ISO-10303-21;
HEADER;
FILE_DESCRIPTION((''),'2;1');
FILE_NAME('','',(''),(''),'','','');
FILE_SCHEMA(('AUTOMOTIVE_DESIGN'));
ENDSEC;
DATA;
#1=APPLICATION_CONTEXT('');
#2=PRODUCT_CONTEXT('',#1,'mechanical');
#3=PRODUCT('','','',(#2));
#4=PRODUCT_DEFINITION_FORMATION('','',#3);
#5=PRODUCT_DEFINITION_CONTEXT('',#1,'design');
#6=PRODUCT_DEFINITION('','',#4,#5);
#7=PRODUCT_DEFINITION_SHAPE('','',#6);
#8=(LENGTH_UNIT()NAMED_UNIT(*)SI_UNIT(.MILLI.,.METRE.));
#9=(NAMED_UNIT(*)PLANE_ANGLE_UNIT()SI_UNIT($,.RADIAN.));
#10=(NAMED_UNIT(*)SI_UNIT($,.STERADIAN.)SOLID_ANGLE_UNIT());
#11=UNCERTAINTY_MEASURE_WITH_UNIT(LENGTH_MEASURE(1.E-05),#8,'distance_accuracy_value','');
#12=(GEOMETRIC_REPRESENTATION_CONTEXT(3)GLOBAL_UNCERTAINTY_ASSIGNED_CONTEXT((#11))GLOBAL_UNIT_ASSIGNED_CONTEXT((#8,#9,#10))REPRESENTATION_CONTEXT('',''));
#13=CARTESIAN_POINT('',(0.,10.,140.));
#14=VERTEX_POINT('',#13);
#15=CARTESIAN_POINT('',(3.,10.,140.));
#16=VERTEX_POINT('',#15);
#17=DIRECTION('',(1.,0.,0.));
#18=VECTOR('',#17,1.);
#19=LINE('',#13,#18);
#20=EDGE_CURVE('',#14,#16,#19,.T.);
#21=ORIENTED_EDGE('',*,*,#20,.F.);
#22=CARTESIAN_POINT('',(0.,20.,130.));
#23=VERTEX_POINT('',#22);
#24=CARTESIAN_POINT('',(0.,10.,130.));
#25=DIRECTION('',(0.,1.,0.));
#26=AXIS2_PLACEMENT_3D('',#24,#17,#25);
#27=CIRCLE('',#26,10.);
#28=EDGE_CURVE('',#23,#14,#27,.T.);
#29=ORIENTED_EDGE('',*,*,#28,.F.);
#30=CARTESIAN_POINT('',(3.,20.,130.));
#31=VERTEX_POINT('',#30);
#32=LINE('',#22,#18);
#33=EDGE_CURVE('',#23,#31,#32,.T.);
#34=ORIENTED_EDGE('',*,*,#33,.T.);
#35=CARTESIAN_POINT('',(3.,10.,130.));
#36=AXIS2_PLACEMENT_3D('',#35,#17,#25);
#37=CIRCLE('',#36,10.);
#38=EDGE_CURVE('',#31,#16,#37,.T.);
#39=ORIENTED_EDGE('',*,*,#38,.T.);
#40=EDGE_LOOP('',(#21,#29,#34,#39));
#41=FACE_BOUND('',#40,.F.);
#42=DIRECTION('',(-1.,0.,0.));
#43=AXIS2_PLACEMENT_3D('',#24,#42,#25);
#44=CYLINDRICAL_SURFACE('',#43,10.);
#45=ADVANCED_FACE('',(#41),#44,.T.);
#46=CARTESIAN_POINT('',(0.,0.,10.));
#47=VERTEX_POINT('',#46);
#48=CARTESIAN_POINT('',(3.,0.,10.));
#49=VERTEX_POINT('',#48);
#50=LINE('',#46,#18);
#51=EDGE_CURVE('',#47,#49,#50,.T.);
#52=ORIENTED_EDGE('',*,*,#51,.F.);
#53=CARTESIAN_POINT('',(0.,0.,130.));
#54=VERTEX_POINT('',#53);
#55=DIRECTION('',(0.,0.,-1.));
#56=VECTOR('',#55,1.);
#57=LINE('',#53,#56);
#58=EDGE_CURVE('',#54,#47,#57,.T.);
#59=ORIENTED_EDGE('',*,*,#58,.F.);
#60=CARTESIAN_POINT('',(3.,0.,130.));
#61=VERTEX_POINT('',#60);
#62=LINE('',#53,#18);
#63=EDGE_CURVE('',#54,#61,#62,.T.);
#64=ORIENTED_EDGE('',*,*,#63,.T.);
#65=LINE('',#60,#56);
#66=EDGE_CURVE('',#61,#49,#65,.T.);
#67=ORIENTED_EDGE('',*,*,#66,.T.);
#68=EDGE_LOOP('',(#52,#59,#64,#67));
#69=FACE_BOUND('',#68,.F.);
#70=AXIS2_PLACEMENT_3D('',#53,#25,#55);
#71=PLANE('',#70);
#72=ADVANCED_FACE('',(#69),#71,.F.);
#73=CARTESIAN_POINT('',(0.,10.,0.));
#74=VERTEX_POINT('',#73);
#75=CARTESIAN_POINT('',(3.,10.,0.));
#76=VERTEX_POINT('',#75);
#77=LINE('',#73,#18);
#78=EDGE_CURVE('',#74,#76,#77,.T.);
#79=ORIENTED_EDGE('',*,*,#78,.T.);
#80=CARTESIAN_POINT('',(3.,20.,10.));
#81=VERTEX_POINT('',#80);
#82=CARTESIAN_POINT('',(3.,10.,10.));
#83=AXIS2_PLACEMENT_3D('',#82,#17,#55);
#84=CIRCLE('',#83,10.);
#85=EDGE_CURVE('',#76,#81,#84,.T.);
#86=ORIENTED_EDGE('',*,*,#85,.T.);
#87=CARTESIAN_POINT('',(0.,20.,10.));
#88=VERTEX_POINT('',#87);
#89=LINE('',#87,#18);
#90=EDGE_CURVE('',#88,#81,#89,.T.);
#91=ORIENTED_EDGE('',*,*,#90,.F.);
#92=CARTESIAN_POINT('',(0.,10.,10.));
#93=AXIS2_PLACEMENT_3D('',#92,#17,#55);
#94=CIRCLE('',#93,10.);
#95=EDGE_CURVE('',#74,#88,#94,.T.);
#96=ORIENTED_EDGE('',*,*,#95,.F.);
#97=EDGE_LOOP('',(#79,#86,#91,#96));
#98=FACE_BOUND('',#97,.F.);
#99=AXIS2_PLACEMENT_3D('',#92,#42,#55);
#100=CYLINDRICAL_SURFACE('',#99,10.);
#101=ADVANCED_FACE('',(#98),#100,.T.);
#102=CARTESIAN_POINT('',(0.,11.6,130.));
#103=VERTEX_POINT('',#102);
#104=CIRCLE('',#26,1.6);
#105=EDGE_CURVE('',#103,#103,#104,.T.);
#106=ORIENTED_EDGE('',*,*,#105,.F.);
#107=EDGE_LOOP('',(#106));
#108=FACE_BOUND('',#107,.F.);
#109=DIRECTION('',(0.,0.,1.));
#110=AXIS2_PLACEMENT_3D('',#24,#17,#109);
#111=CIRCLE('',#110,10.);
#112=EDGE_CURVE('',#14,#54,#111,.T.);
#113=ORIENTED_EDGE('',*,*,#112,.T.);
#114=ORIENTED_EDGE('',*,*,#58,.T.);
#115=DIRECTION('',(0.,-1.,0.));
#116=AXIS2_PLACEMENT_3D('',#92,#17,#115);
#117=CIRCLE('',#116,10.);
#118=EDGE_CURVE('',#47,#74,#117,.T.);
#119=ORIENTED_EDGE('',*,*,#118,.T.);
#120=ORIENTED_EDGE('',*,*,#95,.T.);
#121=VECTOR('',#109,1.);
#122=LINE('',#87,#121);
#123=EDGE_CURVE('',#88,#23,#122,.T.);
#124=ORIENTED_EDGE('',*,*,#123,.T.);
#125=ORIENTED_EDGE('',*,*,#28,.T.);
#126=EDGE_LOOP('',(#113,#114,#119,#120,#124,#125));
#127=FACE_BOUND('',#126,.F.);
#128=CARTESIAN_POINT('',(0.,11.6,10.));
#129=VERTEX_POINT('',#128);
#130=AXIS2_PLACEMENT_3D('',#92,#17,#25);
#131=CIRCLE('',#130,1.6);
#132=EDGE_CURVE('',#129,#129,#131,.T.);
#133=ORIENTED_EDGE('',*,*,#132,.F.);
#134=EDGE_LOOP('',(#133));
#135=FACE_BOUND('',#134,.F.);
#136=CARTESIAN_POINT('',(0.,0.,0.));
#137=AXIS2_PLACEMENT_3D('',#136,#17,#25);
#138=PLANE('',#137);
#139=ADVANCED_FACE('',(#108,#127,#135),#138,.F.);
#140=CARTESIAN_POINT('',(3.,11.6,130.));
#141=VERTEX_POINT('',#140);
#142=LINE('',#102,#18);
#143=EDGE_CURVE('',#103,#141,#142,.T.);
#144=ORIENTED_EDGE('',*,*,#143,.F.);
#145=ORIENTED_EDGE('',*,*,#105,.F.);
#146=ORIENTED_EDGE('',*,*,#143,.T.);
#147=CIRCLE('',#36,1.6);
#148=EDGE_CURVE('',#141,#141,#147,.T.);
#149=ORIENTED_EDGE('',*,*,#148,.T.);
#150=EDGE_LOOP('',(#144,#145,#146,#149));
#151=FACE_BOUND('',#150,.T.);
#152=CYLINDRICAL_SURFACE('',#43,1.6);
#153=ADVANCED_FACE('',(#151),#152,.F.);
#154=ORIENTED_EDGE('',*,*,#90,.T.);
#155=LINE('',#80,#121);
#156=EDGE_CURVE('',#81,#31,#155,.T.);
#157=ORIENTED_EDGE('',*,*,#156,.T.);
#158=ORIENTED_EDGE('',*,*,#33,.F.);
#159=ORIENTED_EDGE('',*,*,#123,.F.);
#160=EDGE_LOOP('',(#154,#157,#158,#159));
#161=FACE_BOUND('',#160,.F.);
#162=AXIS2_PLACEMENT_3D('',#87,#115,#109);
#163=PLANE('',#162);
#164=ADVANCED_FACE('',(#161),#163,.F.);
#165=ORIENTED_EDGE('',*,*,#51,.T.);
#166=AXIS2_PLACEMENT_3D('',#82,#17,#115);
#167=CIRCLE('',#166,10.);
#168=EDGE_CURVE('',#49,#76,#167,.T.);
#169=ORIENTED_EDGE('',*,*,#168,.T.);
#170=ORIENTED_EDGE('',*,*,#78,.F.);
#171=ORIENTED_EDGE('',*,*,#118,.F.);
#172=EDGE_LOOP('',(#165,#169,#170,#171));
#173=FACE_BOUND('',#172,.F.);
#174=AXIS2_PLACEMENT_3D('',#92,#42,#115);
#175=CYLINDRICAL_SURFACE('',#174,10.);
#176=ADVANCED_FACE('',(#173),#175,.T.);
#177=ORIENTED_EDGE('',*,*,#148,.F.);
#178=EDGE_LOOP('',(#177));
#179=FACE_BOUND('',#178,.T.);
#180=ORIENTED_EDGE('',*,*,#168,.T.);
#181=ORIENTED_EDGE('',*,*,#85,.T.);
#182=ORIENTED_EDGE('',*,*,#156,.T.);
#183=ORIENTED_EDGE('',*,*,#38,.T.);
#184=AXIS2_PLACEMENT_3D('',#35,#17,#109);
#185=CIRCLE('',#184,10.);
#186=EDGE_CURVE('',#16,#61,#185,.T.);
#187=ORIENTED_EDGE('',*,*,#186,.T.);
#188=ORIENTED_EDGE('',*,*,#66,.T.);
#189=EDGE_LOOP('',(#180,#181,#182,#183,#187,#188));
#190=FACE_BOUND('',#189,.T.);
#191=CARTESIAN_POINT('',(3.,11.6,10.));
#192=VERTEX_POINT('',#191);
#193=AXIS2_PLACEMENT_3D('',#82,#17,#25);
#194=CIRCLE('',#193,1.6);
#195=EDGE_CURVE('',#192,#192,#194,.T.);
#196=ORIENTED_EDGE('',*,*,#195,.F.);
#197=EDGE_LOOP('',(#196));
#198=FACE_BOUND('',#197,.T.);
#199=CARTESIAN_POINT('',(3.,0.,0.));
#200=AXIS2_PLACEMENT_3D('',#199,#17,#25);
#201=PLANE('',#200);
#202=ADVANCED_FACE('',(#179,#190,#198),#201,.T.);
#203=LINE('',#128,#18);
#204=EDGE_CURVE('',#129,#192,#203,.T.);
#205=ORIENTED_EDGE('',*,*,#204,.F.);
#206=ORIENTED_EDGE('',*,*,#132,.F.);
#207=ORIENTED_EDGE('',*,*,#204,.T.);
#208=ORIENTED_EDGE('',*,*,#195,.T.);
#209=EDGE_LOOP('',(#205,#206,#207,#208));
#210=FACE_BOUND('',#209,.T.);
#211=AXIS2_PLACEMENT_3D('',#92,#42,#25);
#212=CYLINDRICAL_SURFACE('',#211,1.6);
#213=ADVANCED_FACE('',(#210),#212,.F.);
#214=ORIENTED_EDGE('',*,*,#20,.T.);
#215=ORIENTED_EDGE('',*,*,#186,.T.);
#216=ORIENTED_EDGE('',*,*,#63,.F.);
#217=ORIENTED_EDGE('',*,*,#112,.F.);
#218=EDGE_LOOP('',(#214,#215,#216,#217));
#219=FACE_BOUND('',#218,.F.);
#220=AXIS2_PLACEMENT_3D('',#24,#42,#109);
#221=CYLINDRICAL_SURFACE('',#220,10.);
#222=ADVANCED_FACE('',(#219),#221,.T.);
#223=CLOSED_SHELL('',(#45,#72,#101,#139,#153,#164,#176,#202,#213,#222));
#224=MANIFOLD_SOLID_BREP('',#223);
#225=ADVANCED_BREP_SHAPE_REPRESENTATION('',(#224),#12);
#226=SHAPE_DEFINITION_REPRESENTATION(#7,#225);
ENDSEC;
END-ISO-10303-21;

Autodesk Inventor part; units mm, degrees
ref_plane "YZ Plane" through (0, 0, 0) normal (1, 0, 0) x (0, 1, 0)
ref_plane "XZ Plane" through (0, 0, 0) normal (0, 1, 0) x (-1, 0, 0)
ref_plane "XY Plane" through (0, 0, 0) normal (0, 0, 1) x (1, 0, 0)
sketch "Szkic1" plane through (0, 0, 0) normal (1, 0, 0) x (0, 1, 0)
  line L0 (10, 0) -> (10, 0)
  line L1 (20, 10) -> (20, 130)
  line L2 (10, 140) -> (10, 140)
  line L3 (0, 130) -> (0, 10)
  arc A0 (20, 130) -> (10, 140) centre (10, 130) ccw
  arc A1 (10, 140) -> (0, 130) centre (10, 130) ccw
  arc A2 (10, 0) -> (20, 10) centre (10, 10) ccw
  arc A3 (0, 10) -> (10, 0) centre (10, 10) ccw
  circle A4 centre (10, 130) radius 1.6
  circle A5 centre (10, 10) radius 1.6
  point P0 (0, 0)
  point P1 (20, 140)
  point P2 (0, 140)
  dimension "d0" = 20
  dimension "d1" = 10
  dimension "d2" = 10
  dimension "d3" = 10
  dimension "d4" = 10
  dimension "d5" = 3.2
  dimension "d6" = 3.2
  dimension "d7" = 120
extrude "Wyciągnięcie proste1" add sketch "Szkic1" along normal blind 3
properties part number "segment1"
